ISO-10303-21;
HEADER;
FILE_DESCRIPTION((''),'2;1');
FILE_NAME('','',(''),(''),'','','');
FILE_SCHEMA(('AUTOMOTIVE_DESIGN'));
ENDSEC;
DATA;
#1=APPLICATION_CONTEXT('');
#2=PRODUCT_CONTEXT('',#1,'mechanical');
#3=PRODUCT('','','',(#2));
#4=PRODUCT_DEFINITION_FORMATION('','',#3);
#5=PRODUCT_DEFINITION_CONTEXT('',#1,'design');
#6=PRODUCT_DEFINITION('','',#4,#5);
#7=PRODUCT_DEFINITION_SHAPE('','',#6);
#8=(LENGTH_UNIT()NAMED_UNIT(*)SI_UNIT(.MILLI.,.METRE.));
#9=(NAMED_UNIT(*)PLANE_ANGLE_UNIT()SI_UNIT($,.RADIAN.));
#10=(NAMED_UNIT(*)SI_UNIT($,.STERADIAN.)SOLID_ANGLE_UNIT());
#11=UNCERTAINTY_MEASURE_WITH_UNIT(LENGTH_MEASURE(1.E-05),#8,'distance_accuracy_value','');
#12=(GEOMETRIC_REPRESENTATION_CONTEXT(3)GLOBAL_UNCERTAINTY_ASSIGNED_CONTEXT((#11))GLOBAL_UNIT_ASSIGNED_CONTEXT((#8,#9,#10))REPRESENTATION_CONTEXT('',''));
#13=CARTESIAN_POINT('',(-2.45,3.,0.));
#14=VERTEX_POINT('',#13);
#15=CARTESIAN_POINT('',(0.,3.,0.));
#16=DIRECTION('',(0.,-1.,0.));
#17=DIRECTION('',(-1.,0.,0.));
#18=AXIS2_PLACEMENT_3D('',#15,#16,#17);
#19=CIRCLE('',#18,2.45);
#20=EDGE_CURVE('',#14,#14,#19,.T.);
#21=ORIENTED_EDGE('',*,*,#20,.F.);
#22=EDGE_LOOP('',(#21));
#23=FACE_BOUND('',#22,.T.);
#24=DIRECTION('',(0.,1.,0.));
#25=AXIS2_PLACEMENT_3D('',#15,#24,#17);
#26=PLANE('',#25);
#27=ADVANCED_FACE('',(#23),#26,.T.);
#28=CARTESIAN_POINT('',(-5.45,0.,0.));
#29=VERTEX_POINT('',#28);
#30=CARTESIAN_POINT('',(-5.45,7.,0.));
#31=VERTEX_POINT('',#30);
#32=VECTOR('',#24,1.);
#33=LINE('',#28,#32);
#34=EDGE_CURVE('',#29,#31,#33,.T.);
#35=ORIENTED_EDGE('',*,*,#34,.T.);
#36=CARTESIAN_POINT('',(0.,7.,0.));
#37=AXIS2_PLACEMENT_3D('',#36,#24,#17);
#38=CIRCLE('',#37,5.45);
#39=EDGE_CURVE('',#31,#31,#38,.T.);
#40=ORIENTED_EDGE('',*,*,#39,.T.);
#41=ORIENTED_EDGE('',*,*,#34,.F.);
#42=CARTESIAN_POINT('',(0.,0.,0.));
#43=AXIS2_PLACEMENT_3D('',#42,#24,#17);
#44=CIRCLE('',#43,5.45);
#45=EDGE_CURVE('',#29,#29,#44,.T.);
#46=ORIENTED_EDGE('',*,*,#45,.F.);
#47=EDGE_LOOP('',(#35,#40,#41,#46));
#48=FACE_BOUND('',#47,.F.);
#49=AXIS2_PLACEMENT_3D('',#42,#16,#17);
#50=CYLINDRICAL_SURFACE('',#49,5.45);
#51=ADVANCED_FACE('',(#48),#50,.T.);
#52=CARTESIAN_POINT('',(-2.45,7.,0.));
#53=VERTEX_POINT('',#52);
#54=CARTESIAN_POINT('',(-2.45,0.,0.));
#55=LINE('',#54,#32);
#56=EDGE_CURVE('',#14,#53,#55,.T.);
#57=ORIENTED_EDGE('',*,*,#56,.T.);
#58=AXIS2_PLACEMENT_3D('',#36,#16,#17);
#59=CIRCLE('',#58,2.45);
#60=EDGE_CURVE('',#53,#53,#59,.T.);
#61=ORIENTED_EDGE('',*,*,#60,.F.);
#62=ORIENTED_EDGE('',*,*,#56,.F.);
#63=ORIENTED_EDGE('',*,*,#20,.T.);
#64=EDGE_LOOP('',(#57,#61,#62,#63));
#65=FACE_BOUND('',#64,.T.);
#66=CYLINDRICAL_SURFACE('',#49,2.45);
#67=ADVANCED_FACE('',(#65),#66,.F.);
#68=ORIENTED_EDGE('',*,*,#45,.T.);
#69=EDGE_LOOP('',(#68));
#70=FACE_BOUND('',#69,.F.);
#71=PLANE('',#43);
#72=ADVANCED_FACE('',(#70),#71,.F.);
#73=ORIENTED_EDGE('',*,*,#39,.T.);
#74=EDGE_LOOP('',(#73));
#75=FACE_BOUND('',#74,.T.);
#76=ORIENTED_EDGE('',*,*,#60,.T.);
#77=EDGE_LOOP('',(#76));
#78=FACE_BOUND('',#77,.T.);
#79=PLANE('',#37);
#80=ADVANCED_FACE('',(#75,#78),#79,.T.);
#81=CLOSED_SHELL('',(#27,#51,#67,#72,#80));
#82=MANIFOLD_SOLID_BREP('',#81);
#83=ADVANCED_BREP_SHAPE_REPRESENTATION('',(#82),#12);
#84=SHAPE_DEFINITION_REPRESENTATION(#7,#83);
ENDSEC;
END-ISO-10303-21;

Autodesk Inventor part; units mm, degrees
ref_plane "YZ Plane" through (0, 0, 0) normal (1, 0, 0) x (0, 1, 0)
ref_plane "XZ Plane" through (0, 0, 0) normal (0, 1, 0) x (-1, 0, 0)
ref_plane "XY Plane" through (0, 0, 0) normal (0, 0, 1) x (1, 0, 0)
sketch "Sketch1" plane through (0, 0, 0) normal (0, 1, 0) x (-1, 0, 0)
  circle A0 centre (0, 0) radius 5.45
  dimension "d0" = 10.9
extrude "Extrusion1" add sketch "Sketch1" along normal blind 7
shell "Shell1" thickness 3 removed faces 1 at (-1.7639, 7, -0.4348)
equation "\"d0\" = screw_diameter + 2 * thickness"
equation "\"d1\" = height + thickness"
equation "\"d3\" = thickness"
equation "\"screw_diameter\" = 4.9"
equation "\"thickness\" = 3"
equation "\"height\" = 4"
properties part number "071_0105_ScrewCap"
